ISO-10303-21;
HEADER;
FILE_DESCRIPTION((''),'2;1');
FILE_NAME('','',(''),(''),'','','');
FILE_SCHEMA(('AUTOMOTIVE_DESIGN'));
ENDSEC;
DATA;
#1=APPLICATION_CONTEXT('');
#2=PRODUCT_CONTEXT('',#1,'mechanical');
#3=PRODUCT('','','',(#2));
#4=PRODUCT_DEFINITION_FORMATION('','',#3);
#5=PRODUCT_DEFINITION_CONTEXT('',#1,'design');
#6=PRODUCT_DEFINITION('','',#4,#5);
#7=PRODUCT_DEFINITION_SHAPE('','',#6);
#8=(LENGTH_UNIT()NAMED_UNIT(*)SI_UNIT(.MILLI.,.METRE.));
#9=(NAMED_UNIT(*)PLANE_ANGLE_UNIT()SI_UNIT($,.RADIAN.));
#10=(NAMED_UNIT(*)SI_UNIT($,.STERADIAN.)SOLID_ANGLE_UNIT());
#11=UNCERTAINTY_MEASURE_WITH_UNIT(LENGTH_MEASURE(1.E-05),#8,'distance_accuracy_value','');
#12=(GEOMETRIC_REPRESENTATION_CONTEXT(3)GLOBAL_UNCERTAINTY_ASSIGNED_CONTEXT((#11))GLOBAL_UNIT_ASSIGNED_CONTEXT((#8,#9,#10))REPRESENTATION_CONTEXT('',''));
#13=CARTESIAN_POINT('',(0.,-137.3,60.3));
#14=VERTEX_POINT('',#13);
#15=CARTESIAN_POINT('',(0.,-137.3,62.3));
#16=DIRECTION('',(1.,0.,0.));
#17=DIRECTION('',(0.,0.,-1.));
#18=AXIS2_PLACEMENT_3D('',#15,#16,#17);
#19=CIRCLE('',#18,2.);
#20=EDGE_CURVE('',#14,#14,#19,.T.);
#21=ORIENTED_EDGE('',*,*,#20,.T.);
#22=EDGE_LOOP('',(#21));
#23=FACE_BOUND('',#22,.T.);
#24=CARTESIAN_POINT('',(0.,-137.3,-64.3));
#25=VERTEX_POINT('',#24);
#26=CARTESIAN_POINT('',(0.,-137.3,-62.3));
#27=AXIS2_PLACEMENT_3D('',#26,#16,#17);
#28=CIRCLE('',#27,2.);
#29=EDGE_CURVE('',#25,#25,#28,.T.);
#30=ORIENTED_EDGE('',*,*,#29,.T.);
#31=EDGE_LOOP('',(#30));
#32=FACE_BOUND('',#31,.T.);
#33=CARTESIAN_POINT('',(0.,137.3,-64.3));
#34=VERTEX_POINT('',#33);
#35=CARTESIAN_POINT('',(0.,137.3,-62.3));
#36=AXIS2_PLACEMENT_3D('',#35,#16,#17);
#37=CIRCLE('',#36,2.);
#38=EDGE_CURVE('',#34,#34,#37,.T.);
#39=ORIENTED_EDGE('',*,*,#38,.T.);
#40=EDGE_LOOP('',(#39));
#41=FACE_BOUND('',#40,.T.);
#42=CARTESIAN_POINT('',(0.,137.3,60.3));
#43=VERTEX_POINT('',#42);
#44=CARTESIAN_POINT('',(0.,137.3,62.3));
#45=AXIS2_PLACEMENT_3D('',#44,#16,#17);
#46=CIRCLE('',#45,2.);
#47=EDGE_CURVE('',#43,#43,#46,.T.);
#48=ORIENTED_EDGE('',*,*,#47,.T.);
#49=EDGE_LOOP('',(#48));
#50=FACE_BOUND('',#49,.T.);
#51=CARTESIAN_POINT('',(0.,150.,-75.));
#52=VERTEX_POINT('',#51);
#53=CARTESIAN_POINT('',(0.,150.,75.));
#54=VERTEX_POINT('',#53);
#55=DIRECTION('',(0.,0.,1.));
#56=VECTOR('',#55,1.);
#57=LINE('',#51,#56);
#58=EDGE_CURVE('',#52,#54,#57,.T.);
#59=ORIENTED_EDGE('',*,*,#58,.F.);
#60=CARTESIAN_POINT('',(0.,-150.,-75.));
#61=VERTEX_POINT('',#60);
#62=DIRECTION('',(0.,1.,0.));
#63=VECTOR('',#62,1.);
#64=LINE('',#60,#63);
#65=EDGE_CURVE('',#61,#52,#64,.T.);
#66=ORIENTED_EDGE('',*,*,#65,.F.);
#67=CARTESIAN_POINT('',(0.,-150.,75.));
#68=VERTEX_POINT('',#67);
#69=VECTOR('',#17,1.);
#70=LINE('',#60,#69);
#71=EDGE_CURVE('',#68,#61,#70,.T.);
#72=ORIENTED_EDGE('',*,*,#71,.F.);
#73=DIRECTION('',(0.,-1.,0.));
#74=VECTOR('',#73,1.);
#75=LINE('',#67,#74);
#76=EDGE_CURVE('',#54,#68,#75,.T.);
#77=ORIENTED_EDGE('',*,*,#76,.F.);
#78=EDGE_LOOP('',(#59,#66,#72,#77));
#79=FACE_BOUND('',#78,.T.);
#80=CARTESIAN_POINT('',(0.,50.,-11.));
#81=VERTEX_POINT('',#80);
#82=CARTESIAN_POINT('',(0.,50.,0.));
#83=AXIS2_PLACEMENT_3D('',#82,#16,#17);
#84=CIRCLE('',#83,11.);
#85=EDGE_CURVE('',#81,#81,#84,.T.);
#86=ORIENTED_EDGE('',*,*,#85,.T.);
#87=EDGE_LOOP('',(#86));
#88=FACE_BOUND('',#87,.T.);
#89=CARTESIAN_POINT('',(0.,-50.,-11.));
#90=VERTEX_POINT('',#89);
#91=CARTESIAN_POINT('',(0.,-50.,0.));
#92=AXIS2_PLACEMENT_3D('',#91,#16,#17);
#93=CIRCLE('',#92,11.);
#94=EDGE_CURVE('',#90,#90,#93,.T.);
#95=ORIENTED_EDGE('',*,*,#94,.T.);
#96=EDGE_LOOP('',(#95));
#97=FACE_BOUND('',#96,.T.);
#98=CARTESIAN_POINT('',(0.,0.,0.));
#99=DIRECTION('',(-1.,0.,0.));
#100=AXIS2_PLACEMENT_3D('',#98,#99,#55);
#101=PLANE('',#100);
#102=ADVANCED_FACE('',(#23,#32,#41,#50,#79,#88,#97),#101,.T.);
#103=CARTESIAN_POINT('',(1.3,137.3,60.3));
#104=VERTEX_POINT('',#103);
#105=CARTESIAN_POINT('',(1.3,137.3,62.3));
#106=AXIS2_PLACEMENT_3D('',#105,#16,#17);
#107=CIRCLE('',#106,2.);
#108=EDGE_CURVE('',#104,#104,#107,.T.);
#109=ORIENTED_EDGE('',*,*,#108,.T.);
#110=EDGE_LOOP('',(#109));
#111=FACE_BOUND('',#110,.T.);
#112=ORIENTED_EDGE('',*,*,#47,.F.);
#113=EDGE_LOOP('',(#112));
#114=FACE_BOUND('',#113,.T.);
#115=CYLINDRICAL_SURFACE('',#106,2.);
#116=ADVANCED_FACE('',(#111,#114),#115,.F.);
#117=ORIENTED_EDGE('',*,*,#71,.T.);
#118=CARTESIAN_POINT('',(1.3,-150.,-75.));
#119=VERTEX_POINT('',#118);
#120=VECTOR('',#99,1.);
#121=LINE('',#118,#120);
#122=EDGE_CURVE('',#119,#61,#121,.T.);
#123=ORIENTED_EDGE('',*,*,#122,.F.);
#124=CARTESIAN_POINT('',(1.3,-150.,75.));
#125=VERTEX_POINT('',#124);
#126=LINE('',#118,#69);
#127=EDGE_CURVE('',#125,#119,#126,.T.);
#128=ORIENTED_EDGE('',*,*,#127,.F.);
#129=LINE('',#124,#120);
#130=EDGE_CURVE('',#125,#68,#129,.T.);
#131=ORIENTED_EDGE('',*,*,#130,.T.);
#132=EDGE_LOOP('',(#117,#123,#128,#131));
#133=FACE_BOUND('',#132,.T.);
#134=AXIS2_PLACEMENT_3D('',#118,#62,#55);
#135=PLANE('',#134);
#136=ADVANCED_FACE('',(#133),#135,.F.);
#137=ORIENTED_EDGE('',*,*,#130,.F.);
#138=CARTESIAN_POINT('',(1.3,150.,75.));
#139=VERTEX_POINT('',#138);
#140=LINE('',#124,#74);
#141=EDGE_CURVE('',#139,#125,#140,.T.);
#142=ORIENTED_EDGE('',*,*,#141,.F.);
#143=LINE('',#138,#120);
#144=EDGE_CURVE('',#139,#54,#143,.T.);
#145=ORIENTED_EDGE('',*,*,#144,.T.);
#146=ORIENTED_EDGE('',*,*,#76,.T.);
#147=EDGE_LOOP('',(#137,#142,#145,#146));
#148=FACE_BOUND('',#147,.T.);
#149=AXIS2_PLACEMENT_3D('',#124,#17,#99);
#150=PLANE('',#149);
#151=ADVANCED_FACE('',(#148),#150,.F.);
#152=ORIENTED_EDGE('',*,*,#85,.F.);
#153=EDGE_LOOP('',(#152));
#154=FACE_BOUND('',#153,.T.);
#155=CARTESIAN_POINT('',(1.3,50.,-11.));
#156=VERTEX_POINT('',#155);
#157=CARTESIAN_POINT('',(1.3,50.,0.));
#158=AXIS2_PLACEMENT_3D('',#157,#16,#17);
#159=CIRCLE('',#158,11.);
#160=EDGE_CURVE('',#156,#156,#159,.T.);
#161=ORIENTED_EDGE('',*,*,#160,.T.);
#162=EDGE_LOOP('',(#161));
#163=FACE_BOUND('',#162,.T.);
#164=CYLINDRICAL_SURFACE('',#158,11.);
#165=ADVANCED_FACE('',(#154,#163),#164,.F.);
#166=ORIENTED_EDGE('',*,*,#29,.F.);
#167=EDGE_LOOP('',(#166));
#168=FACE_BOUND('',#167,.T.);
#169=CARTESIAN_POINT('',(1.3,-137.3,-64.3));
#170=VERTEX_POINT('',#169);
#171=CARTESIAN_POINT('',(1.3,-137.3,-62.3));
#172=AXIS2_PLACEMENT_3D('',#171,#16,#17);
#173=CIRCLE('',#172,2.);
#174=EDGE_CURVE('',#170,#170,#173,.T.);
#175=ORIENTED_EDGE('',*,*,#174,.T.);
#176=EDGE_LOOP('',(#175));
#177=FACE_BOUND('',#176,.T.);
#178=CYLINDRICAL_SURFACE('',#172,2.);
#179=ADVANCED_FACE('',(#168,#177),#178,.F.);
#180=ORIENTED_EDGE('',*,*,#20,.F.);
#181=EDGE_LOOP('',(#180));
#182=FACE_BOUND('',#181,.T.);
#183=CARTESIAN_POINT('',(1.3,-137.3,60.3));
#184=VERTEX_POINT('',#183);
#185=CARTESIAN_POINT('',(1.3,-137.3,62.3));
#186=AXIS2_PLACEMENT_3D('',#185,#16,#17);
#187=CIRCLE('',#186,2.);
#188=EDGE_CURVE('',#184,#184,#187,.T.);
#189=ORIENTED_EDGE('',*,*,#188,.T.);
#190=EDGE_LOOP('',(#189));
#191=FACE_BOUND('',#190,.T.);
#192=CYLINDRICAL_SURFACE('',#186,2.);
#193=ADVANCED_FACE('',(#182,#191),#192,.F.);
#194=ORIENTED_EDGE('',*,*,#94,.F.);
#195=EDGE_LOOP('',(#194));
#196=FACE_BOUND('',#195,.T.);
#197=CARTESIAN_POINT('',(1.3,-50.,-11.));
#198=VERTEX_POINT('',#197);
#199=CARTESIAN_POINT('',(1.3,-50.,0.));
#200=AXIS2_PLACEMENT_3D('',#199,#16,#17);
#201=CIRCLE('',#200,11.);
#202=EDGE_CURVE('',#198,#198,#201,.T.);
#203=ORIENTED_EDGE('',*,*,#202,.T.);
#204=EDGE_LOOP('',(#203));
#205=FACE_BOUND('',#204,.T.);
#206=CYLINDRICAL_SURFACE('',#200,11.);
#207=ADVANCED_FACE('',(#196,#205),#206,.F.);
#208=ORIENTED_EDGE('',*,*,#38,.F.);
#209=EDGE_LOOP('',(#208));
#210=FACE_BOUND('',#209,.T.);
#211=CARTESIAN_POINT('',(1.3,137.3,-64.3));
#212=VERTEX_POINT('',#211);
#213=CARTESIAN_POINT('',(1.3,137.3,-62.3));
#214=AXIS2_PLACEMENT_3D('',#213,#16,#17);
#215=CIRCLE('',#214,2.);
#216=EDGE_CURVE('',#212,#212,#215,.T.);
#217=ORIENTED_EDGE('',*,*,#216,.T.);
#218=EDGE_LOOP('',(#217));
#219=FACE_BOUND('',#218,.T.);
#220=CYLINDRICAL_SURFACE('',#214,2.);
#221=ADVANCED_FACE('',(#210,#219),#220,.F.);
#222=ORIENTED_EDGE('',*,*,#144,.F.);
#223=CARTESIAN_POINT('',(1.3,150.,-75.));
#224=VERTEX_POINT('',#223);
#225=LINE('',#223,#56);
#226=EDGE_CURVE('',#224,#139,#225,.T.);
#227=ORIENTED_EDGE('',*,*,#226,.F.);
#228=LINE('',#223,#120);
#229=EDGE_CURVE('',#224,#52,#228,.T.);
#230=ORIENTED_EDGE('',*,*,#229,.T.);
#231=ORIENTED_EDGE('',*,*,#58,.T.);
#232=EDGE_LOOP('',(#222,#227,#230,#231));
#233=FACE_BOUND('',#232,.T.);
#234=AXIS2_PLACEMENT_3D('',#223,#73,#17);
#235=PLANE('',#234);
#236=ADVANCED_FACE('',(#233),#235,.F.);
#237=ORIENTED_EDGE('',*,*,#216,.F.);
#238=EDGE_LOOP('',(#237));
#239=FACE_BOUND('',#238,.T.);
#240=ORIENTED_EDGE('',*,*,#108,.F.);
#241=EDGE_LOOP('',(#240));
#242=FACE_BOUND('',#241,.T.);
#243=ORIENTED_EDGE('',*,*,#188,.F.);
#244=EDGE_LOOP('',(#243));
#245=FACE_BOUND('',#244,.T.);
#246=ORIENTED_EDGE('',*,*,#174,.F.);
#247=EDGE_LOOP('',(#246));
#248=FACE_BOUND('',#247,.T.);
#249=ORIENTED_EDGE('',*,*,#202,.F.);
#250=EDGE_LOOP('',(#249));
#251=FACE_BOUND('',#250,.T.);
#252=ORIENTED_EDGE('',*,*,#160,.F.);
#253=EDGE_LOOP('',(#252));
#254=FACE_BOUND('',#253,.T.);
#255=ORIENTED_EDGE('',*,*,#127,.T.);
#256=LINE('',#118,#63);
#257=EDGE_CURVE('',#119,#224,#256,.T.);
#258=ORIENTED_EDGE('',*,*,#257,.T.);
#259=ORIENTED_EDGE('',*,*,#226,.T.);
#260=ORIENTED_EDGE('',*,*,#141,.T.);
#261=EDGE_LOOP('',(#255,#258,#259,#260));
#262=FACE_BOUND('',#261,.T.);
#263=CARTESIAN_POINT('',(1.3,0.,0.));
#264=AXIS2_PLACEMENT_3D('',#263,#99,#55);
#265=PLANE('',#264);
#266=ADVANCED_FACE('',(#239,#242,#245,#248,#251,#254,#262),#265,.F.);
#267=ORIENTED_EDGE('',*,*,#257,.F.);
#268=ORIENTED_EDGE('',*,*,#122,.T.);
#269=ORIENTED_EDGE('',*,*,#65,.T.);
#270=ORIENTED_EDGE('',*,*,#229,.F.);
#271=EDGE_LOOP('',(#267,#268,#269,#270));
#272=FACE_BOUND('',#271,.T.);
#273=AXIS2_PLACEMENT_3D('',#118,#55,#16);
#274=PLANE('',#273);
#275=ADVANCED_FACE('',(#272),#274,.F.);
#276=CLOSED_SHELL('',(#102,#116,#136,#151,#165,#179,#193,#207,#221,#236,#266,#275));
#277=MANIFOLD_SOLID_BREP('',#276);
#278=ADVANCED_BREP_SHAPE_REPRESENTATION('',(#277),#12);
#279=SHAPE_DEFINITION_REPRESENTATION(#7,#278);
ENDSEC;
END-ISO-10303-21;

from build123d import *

# Parameters (mm, degrees)
SKETCH1_W                            = 300
SKETCH1_H                            = 150
BOSS_EXTRUDE1_DEPTH                  = 1.3
F_4_0_4_DIAMETER_HOLE1_D             = 4
MIRROR1_AT_THE_SECOND_PLANE_COPY_1_D = 4
F_22_0_22_DIAMETER_HOLE1_D           = 22


with BuildPart() as part:
    # Sketch1 → Boss-Extrude1 (new body)
    with BuildSketch(Plane.YZ):
        Rectangle(SKETCH1_W, SKETCH1_H)
    extrude(amount=BOSS_EXTRUDE1_DEPTH)

    # Ø4.0 (4) Diameter Hole1 (through all)
    with Locations(Plane.YZ.offset(1.3)):
        with Locations((-137.3, 62.3)):
            f_4_0_4_diameter_hole1 = Hole(F_4_0_4_DIAMETER_HOLE1_D / 2)

    # Mirror1: Ø4.0 (4) Diameter Hole1 across plane
    add(f_4_0_4_diameter_hole1.mirror(Plane.ZX), mode=Mode.SUBTRACT)

    # Mirror1 at the second plane: Ø4.0 (4) Diameter Hole1 across plane
    add(f_4_0_4_diameter_hole1.mirror(Plane.XY), mode=Mode.SUBTRACT)

    # Mirror1 at the second plane copy 1 (through all)
    with Locations(Plane(origin=(1.3, 0, 0), x_dir=(0, -1, 0), z_dir=(1, 0, 0))):
        with Locations((-137.3, 62.3)):
            Hole(MIRROR1_AT_THE_SECOND_PLANE_COPY_1_D / 2)

    # Ø22.0 (22) Diameter Hole1 (through all)
    with Locations(Plane.YZ.offset(1.3)):
        with Locations((-50, 0)):
            f_22_0_22_diameter_hole1 = Hole(F_22_0_22_DIAMETER_HOLE1_D / 2)

    # Mirror2: Ø22.0 (22) Diameter Hole1 across plane
    add(f_22_0_22_diameter_hole1.mirror(Plane.ZX), mode=Mode.SUBTRACT)


solid = part.part
